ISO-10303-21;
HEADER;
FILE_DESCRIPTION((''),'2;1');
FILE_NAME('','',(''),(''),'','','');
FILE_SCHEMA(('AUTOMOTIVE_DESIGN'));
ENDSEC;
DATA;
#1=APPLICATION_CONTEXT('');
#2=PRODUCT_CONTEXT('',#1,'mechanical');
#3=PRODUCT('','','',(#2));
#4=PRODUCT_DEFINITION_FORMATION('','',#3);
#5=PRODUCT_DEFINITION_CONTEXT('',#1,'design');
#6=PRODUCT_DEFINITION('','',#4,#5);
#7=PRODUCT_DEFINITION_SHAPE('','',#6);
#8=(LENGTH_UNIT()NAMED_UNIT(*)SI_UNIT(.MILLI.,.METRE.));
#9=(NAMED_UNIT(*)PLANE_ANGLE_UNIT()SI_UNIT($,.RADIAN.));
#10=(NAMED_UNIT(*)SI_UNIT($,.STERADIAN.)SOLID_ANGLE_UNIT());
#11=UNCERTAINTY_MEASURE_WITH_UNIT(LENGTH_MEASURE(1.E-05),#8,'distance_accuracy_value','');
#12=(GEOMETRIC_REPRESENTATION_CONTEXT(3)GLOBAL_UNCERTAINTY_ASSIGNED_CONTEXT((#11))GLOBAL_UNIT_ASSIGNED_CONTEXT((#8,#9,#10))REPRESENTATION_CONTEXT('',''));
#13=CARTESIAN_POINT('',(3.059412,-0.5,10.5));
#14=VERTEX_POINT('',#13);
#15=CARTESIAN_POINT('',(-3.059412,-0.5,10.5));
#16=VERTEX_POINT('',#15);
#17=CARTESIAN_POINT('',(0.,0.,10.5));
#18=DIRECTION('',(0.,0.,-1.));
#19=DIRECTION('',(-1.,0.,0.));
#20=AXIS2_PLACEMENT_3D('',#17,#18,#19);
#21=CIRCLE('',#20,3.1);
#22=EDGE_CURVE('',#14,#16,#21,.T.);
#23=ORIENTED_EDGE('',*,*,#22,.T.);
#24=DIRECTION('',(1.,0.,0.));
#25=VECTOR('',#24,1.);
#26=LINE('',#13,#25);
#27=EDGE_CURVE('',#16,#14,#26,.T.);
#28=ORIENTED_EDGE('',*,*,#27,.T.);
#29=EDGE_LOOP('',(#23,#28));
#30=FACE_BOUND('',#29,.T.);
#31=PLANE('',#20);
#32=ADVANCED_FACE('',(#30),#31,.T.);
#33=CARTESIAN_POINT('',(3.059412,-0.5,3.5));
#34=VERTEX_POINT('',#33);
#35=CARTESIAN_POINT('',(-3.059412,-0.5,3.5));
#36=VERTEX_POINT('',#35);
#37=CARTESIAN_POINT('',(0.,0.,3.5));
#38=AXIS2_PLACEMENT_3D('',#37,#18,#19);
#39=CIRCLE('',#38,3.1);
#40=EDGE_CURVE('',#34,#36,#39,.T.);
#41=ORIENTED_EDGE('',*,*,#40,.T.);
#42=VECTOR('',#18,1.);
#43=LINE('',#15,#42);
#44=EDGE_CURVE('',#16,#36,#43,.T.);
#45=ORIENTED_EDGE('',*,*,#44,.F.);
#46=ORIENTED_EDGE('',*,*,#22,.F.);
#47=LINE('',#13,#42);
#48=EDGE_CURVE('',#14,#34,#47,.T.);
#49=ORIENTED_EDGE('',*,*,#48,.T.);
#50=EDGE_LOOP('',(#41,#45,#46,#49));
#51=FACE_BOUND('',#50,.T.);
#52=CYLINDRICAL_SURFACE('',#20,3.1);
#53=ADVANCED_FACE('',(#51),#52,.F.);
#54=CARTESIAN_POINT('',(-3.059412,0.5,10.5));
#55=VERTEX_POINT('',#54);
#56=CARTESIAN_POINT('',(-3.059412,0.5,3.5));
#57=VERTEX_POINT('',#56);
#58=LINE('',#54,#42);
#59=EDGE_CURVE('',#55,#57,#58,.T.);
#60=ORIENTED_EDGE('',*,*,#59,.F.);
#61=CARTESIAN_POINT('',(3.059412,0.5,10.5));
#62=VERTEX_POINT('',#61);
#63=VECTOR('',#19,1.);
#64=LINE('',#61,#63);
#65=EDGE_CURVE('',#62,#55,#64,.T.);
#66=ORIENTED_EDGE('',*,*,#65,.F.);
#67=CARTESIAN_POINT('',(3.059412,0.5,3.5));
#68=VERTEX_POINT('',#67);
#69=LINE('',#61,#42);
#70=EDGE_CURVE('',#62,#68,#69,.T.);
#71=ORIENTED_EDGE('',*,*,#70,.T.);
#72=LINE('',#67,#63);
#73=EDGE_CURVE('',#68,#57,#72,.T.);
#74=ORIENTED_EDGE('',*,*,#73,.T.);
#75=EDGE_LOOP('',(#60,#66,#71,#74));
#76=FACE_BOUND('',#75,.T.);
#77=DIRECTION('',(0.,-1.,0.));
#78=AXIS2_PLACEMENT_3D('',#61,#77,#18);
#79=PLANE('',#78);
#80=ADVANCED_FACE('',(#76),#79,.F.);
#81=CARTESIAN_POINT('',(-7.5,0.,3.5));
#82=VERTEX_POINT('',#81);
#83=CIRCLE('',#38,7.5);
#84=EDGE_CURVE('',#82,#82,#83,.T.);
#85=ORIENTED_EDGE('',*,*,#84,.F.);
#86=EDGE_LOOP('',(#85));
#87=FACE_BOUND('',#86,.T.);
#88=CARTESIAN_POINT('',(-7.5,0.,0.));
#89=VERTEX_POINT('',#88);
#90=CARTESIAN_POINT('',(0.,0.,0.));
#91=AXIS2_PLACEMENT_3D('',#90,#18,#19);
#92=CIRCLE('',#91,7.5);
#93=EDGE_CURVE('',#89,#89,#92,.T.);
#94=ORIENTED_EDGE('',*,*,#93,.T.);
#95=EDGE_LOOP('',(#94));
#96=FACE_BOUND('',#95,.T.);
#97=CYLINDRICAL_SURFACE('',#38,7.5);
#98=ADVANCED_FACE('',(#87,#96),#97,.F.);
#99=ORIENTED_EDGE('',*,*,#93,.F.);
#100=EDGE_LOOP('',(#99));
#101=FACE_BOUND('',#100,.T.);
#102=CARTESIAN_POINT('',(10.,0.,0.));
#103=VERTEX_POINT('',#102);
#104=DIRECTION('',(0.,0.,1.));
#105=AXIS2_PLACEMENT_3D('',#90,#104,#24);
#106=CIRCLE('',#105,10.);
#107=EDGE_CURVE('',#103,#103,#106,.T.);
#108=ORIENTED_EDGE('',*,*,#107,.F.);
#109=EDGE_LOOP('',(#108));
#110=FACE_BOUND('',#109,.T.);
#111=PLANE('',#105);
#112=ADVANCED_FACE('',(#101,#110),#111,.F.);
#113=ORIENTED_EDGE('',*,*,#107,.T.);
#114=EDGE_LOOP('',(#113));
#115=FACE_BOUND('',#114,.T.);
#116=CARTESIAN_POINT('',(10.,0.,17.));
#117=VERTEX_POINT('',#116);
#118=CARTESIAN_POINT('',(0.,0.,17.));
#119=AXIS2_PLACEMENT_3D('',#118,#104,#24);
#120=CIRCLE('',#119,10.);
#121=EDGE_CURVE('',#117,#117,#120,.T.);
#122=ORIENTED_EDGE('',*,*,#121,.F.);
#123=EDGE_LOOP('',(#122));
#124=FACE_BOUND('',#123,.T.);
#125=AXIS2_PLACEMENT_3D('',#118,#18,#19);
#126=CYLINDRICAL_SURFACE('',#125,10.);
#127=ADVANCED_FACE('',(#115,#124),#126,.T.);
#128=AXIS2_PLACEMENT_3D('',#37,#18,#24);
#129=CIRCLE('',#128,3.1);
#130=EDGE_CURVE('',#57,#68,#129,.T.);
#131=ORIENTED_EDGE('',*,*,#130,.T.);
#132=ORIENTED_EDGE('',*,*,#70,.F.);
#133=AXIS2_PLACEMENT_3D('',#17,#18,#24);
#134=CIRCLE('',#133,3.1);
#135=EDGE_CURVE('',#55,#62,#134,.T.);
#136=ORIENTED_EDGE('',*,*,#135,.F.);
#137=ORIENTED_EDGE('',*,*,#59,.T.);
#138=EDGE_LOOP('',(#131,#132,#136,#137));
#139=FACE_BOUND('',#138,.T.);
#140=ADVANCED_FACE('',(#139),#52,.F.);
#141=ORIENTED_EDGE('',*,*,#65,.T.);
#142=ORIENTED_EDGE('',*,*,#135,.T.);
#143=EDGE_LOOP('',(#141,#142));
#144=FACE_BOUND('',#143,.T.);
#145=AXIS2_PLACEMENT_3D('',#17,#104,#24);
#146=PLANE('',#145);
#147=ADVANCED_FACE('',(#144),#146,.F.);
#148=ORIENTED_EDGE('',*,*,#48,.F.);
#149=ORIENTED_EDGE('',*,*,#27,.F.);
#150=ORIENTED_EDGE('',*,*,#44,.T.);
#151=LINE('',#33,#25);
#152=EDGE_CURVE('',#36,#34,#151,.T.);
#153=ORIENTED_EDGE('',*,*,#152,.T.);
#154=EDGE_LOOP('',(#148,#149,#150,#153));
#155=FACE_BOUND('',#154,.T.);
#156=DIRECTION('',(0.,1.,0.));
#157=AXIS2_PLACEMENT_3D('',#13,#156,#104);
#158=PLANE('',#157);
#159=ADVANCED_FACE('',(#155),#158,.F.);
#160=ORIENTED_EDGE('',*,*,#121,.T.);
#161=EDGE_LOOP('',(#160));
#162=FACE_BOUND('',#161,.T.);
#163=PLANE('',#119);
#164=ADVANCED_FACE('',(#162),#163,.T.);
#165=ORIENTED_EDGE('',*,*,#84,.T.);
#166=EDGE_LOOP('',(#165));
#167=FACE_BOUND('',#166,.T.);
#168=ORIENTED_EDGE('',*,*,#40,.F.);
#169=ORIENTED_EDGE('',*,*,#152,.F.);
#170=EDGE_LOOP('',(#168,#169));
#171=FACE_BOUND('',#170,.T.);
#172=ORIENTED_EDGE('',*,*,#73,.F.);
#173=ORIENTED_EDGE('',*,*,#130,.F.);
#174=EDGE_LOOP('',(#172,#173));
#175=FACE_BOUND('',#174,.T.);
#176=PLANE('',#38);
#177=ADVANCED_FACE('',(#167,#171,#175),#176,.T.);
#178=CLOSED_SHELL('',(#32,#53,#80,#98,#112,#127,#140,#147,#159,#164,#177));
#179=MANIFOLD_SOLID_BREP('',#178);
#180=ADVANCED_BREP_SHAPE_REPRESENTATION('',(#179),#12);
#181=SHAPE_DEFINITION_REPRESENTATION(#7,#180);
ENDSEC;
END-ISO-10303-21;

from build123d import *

# Parameters (mm, degrees)
SKETCH1_R           = 10
BOSS_EXTRUDE1_DEPTH = 17
SKETCH2_R           = 7.5
CUT_EXTRUDE1_DEPTH  = 3.5
CUT_EXTRUDE2_DEPTH  = 7


with BuildPart() as part:
    # Sketch1 → Boss-Extrude1 (new body)
    with BuildSketch(Plane.XY):
        Circle(SKETCH1_R)
    extrude(amount=BOSS_EXTRUDE1_DEPTH)

    # Sketch2 → Cut-Extrude1 (cut)
    with BuildSketch(Plane(origin=(0, 0, 0), x_dir=(-1, 0, 0), z_dir=(0, 0, -1))):
        Circle(SKETCH2_R)
    extrude(amount=-CUT_EXTRUDE1_DEPTH, mode=Mode.SUBTRACT)

    # Sketch4 → Cut-Extrude2 (cut)
    with BuildSketch(Plane(origin=(0, 0, 3.5), x_dir=(-1, 0, 0), z_dir=(0, 0, -1))):
        with BuildLine():
            Line((-3.059411708, 0.5), (3.059411708, 0.5))
            ThreePointArc((3.059411708, 0.5), (0, 3.1), (-3.059411708, 0.5))
        make_face()
        with BuildLine():
            Line((-3.059411708, -0.5), (3.059411708, -0.5))
            ThreePointArc((3.059411708, -0.5), (0, -3.1), (-3.059411708, -0.5))
        make_face()
    extrude(amount=-CUT_EXTRUDE2_DEPTH, mode=Mode.SUBTRACT)


solid = part.part
